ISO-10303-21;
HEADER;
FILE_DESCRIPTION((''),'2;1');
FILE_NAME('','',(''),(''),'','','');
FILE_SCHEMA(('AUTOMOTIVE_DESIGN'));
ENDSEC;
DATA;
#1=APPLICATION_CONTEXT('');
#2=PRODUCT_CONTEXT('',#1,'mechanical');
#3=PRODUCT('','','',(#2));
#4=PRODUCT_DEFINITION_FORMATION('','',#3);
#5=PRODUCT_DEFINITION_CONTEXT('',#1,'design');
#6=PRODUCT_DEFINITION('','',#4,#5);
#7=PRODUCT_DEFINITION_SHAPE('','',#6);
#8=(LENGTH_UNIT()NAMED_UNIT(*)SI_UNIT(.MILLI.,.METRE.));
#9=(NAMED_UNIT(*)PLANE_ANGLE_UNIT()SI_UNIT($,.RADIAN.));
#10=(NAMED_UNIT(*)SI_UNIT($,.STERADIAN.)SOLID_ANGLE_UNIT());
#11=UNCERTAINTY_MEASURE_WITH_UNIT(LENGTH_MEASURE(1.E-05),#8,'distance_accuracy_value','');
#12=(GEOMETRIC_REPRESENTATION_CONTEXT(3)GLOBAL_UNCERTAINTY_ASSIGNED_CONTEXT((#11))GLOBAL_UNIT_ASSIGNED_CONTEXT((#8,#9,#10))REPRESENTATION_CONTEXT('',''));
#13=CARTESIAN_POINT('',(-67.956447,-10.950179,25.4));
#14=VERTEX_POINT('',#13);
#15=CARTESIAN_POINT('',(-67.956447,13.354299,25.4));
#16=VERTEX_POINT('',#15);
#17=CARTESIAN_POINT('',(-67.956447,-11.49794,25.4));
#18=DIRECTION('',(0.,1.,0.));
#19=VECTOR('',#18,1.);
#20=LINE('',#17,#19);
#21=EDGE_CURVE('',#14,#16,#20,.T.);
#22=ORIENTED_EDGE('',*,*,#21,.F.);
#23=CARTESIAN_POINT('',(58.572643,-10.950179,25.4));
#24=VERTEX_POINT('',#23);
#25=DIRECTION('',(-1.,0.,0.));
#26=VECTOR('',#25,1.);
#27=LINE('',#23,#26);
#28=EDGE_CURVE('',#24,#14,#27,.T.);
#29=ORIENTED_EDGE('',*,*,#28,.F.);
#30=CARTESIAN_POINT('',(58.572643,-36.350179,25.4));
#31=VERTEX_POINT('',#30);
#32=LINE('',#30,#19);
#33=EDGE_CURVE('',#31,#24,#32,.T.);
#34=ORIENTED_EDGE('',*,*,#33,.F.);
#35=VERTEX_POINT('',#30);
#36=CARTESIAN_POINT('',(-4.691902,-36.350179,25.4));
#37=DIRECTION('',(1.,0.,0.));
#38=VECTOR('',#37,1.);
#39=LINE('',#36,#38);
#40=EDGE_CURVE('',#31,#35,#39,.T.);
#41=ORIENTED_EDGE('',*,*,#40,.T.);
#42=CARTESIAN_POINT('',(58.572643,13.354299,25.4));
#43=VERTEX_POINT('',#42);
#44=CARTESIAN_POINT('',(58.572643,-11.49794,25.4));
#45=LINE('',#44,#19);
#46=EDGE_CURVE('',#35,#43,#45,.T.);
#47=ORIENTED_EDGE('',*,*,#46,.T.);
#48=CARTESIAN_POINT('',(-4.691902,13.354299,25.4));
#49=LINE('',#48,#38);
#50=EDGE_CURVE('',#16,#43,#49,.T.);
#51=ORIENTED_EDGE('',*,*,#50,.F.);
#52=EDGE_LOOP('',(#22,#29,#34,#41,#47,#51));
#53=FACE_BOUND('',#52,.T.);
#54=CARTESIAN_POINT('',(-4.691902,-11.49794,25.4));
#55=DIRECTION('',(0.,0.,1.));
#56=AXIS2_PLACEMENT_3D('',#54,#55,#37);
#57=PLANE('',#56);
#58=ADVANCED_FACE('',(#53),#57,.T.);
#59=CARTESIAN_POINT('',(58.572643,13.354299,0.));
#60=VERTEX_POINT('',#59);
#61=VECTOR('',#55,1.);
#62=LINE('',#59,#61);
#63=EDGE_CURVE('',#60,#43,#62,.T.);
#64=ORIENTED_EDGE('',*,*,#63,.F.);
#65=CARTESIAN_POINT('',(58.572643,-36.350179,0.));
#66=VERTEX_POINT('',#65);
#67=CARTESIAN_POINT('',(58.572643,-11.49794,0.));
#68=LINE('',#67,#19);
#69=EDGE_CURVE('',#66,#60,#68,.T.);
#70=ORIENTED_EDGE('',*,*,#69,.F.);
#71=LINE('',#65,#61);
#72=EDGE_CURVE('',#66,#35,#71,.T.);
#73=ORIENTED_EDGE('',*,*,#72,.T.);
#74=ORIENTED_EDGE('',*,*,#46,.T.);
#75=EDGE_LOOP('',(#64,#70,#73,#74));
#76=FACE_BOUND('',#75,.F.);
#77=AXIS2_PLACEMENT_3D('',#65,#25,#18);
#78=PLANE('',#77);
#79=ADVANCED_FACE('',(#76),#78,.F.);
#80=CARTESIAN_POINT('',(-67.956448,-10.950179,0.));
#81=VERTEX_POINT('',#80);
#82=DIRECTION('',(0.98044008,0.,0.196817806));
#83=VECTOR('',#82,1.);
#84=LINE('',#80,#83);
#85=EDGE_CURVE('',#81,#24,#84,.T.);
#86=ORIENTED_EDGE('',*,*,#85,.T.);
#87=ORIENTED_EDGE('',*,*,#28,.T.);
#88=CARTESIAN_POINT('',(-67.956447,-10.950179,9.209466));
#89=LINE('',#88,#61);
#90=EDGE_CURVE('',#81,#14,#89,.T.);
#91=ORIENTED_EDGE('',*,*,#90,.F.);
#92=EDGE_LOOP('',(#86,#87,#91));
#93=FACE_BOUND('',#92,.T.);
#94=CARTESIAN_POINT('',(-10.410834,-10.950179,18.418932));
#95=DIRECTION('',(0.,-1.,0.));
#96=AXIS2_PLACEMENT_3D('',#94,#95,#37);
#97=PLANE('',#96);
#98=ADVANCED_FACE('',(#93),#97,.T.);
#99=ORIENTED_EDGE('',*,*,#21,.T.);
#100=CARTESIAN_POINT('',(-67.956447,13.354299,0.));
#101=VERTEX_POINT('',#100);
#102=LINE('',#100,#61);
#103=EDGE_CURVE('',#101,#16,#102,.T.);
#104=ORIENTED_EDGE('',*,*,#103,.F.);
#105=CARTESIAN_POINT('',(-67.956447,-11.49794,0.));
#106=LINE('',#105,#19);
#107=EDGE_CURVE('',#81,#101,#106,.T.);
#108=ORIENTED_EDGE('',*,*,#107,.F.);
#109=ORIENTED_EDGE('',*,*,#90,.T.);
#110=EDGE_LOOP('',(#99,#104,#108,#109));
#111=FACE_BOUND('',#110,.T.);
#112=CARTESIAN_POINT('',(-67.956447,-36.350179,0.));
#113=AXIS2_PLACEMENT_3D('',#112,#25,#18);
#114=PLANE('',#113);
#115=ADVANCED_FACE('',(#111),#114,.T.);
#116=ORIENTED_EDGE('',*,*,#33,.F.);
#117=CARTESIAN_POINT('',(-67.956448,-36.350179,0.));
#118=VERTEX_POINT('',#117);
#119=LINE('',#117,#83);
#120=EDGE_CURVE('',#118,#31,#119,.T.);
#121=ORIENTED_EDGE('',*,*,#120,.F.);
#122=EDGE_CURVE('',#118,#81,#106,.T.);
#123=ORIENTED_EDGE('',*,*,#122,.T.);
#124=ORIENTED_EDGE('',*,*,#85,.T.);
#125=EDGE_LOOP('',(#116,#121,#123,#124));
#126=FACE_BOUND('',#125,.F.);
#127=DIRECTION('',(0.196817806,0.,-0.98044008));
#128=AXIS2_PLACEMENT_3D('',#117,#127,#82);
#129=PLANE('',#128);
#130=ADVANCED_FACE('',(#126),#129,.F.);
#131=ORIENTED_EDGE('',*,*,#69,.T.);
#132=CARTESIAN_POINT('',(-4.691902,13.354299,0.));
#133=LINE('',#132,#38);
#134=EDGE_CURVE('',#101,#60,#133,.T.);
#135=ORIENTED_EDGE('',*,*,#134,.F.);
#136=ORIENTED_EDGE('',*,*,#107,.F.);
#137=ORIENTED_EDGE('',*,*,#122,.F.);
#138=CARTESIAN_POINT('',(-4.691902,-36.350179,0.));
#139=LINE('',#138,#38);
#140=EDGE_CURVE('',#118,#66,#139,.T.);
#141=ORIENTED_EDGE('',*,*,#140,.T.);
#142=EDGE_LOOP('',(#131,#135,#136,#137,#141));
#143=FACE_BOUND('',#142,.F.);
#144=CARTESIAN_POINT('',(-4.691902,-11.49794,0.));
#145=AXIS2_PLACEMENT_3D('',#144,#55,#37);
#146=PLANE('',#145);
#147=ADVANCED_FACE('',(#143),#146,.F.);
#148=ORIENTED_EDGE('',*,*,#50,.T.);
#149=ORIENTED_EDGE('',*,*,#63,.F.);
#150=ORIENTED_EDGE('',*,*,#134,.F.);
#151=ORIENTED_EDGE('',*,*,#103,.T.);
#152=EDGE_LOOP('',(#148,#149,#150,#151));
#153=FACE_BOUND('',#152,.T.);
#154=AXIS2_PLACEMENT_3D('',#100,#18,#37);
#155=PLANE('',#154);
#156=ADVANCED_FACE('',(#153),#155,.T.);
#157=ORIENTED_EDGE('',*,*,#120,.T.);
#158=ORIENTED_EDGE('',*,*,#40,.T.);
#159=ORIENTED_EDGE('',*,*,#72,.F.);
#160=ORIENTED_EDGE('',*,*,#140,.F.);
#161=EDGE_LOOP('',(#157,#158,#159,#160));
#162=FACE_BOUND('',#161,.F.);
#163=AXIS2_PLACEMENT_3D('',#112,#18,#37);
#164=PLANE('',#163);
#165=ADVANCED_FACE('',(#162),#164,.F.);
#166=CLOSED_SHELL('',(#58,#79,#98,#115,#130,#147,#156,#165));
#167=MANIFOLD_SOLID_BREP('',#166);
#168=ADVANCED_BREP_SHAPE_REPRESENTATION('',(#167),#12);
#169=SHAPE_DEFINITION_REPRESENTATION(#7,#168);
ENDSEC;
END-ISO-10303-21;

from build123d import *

# Parameters (mm, degrees)
F0_W     = 126.529091
F0_H     = 49.704478
F1_DEPTH = 25.4
F3_DEPTH = 25.4


with BuildPart() as f1:
    # F0 (on Top) → F1 (new body)
    with BuildSketch(Plane.XY):
        with Locations((-4.691902, -11.49794)):
            Rectangle(F0_W, F0_H)
    extrude(amount=F1_DEPTH)

    # F2 (on face) → F3 (cut)
    with BuildSketch(Plane.XZ.offset(36.350179)):
        Polygon((-67.956448, 0), (58.572643, 25.4), (-67.956448, 25.4), align=None)
    extrude(amount=-F3_DEPTH, mode=Mode.SUBTRACT)


solid = f1.part
